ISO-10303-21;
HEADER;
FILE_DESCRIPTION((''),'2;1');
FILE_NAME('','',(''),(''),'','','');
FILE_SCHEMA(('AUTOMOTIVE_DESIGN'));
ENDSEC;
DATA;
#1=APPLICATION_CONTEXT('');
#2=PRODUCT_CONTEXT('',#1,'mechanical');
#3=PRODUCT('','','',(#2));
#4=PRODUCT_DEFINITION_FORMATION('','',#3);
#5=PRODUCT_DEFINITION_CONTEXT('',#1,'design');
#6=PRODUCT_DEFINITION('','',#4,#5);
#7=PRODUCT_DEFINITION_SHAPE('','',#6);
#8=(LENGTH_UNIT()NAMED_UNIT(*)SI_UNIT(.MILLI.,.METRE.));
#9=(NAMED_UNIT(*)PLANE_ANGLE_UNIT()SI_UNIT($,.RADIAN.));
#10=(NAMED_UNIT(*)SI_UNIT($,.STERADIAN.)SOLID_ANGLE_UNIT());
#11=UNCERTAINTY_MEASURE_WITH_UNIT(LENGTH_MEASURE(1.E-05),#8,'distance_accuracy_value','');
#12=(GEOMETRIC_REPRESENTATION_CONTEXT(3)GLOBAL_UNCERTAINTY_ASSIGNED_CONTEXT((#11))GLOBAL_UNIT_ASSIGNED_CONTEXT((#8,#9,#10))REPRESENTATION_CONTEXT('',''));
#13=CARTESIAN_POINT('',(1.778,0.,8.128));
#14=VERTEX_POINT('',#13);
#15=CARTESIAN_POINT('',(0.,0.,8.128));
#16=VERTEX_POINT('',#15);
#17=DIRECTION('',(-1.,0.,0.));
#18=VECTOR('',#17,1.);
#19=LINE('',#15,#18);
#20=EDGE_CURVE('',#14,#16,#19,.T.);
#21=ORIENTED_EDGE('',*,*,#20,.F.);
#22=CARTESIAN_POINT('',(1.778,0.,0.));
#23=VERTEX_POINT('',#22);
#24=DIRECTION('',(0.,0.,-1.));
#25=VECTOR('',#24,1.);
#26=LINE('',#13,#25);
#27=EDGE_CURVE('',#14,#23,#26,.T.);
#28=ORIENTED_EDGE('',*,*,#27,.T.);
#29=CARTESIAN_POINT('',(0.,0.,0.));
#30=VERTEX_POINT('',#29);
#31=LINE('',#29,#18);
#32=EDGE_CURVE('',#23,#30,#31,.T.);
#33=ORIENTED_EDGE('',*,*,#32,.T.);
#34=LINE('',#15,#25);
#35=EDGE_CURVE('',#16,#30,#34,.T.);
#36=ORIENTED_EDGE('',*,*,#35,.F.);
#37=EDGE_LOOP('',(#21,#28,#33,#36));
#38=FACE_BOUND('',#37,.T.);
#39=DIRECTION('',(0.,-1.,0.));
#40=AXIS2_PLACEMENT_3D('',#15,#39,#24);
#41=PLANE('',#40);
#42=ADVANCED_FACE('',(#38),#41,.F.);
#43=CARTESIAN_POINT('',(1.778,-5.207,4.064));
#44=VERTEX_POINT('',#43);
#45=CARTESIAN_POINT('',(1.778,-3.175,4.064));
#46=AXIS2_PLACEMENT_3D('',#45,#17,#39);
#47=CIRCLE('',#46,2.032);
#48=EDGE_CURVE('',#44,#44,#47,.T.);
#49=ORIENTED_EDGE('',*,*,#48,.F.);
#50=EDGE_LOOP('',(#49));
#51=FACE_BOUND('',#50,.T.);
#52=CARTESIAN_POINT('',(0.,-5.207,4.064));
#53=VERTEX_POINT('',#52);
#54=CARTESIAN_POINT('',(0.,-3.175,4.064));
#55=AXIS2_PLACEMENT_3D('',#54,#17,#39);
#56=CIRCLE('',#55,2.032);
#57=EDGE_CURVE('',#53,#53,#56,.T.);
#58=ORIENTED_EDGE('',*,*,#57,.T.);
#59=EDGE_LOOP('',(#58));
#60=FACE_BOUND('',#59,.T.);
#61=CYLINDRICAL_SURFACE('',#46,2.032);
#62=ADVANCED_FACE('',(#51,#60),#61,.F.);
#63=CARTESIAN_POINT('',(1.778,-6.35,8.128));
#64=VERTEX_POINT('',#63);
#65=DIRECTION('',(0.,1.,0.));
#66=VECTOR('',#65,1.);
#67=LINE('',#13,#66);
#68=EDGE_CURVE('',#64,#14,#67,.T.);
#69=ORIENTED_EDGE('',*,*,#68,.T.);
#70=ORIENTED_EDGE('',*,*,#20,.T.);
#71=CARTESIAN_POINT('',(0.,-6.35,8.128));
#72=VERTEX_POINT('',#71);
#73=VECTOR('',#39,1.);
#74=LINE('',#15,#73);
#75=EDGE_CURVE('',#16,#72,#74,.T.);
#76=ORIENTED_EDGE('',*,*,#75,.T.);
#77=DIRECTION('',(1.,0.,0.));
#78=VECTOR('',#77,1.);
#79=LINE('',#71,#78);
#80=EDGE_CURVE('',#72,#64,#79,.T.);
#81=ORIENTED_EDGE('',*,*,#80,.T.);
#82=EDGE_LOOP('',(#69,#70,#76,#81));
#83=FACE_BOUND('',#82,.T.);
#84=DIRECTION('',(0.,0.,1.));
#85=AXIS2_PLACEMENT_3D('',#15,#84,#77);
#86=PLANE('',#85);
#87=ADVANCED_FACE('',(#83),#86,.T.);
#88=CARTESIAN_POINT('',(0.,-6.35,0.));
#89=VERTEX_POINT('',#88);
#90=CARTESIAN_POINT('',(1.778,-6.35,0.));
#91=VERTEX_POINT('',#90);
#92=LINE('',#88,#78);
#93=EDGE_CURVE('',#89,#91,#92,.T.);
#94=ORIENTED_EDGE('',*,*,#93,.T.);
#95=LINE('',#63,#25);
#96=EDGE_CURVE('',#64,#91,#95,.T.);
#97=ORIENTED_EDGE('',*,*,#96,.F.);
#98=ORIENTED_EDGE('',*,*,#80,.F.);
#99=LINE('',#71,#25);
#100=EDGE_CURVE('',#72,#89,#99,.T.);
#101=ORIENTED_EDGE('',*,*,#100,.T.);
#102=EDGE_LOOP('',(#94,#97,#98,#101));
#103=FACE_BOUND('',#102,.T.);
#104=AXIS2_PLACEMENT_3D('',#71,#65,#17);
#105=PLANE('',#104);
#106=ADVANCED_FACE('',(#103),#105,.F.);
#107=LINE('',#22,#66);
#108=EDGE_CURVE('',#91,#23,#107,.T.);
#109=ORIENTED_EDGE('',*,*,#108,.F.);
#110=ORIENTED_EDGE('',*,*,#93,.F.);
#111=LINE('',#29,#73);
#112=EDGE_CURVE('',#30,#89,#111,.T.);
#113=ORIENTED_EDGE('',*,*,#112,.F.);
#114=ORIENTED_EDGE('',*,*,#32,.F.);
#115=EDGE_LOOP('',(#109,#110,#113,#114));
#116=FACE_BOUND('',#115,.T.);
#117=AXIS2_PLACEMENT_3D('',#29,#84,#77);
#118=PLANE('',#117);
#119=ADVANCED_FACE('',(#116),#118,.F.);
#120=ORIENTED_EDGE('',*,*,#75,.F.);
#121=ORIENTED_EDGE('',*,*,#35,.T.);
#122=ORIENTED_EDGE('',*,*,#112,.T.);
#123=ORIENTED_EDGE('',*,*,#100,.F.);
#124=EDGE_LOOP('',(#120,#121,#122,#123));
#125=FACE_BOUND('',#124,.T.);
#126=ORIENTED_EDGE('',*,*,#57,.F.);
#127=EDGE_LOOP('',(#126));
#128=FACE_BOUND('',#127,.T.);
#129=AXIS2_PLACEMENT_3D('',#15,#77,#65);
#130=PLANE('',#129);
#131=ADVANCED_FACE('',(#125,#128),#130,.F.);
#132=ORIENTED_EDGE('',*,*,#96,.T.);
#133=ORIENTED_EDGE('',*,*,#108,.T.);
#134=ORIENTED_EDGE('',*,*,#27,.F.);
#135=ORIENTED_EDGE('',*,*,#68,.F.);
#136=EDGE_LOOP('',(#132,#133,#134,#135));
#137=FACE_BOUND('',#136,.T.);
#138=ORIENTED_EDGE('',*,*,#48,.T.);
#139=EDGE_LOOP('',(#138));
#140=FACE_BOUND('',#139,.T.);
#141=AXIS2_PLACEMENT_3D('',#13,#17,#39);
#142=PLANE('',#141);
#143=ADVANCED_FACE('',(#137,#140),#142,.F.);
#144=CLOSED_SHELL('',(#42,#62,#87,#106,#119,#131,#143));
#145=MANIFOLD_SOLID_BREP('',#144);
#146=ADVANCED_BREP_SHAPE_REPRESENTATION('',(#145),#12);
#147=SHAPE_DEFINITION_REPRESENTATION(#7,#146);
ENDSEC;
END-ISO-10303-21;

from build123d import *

# Parameters (mm, degrees)
SKETCH1_W           = 1.778
SKETCH1_H           = 6.35
BOSS_EXTRUDE1_DEPTH = 8.128
SKETCH2_R           = 2.032
CUT_EXTRUDE1_DEPTH  = 11.466526071


with BuildPart() as part:
    # Sketch1 → Boss-Extrude1 (new body)
    with BuildSketch(Plane.XY):
        with Locations((0.889, -3.175)):
            Rectangle(SKETCH1_W, SKETCH1_H)
    extrude(amount=BOSS_EXTRUDE1_DEPTH)

    # Sketch2 → Cut-Extrude1 (cut, through all)
    with BuildSketch(Plane.ZY):
        with Locations(Location((4.064, -3.175, 0), (0, 0, 270))):
            Circle(SKETCH2_R)
    extrude(amount=-CUT_EXTRUDE1_DEPTH, mode=Mode.SUBTRACT)


solid = part.part
